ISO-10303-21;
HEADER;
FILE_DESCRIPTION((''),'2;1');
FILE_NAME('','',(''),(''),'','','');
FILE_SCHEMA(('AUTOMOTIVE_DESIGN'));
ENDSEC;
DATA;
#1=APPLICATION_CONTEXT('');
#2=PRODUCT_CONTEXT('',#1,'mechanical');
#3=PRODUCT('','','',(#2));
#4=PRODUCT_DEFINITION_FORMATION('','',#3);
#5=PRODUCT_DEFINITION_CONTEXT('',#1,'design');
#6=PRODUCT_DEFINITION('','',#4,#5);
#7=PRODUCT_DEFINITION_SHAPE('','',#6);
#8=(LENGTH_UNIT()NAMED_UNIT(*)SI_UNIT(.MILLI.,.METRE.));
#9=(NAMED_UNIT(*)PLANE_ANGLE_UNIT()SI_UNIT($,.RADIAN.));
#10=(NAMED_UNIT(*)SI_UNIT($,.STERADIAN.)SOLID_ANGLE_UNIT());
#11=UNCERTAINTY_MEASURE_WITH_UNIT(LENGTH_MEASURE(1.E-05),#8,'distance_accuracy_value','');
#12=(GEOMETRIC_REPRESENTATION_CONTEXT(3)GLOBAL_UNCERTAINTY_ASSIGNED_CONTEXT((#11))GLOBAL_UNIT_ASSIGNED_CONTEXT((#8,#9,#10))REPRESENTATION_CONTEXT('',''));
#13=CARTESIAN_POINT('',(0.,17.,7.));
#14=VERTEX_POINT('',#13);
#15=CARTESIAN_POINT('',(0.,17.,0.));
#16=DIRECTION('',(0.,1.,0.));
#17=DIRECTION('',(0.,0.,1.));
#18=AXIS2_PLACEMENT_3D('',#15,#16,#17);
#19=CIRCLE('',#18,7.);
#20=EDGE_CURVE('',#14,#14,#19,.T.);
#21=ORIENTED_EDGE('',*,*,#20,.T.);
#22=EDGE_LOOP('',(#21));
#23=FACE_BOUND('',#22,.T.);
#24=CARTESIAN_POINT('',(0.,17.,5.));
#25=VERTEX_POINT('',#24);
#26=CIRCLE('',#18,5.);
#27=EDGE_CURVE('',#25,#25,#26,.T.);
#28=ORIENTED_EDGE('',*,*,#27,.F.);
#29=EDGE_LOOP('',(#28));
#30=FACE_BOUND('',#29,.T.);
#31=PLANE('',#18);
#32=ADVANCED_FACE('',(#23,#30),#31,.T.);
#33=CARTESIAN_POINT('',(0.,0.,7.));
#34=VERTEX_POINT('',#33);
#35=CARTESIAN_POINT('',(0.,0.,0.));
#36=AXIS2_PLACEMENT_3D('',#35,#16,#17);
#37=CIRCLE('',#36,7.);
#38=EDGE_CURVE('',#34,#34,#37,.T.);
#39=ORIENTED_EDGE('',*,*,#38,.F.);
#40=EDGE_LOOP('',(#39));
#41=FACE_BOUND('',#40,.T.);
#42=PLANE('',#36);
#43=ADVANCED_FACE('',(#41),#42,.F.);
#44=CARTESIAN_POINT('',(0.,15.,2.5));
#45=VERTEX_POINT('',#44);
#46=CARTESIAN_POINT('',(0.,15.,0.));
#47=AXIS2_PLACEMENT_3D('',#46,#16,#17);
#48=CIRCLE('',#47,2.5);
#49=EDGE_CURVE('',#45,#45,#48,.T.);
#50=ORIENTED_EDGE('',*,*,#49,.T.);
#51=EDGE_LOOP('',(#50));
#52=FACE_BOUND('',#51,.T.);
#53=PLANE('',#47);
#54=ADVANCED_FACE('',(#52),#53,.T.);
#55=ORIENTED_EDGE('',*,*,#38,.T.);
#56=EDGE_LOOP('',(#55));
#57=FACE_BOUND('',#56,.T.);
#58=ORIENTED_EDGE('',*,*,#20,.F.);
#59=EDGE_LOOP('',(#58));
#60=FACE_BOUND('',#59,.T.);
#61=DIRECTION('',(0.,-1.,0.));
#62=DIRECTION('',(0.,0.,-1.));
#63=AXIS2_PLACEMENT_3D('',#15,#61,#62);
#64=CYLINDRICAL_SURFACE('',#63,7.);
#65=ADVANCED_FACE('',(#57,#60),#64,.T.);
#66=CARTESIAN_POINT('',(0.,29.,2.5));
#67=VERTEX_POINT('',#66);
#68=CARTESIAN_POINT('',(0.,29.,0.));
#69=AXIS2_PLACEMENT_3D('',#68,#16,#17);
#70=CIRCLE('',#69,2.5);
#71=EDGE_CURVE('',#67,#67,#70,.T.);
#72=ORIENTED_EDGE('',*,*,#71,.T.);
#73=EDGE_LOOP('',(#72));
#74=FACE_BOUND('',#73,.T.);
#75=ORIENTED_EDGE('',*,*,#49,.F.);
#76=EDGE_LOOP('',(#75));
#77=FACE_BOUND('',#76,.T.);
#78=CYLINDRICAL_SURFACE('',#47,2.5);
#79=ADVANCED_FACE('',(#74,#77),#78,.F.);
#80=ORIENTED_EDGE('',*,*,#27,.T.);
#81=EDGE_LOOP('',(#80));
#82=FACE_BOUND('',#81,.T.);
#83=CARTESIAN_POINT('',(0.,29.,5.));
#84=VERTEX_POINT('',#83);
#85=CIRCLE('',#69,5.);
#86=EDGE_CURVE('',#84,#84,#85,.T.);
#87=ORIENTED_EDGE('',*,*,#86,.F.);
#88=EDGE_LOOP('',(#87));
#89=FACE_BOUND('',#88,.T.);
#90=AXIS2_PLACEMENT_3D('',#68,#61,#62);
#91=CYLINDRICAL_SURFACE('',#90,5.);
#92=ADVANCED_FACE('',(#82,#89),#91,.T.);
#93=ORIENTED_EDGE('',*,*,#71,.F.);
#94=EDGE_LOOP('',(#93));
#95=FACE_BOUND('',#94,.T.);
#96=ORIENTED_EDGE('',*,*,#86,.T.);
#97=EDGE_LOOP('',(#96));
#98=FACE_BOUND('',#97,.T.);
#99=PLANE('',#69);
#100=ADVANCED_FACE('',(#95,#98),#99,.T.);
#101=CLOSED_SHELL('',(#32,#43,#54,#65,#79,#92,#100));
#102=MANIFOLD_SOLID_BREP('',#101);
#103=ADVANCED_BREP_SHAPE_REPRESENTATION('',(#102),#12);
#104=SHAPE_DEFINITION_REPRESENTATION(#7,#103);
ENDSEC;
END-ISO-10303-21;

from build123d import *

# Parameters (mm, degrees)
SKETCH1_R           = 7
BOSS_EXTRUDE1_DEPTH = 17
SKETCH2_R           = 5
BOSS_EXTRUDE2_DEPTH = 12
SKETCH3_R           = 2.5
CUT_EXTRUDE1_DEPTH  = 14


with BuildPart() as part:
    # Sketch1 → Boss-Extrude1 (new body)
    with BuildSketch(Plane(origin=(0, 0, 0), x_dir=(1, 0, 0), z_dir=(0, 1, 0))):
        Circle(SKETCH1_R)
    extrude(amount=BOSS_EXTRUDE1_DEPTH)

    # Sketch2 → Boss-Extrude2 (add)
    with BuildSketch(Plane(origin=(0, 17, 0), x_dir=(1, 0, 0), z_dir=(0, 1, 0))):
        Circle(SKETCH2_R)
    extrude(amount=BOSS_EXTRUDE2_DEPTH)

    # Sketch3 → Cut-Extrude1 (cut)
    with BuildSketch(Plane(origin=(0, 29, 0), x_dir=(1, 0, 0), z_dir=(0, 1, 0))):
        Circle(SKETCH3_R)
    extrude(amount=-CUT_EXTRUDE1_DEPTH, mode=Mode.SUBTRACT)


solid = part.part
